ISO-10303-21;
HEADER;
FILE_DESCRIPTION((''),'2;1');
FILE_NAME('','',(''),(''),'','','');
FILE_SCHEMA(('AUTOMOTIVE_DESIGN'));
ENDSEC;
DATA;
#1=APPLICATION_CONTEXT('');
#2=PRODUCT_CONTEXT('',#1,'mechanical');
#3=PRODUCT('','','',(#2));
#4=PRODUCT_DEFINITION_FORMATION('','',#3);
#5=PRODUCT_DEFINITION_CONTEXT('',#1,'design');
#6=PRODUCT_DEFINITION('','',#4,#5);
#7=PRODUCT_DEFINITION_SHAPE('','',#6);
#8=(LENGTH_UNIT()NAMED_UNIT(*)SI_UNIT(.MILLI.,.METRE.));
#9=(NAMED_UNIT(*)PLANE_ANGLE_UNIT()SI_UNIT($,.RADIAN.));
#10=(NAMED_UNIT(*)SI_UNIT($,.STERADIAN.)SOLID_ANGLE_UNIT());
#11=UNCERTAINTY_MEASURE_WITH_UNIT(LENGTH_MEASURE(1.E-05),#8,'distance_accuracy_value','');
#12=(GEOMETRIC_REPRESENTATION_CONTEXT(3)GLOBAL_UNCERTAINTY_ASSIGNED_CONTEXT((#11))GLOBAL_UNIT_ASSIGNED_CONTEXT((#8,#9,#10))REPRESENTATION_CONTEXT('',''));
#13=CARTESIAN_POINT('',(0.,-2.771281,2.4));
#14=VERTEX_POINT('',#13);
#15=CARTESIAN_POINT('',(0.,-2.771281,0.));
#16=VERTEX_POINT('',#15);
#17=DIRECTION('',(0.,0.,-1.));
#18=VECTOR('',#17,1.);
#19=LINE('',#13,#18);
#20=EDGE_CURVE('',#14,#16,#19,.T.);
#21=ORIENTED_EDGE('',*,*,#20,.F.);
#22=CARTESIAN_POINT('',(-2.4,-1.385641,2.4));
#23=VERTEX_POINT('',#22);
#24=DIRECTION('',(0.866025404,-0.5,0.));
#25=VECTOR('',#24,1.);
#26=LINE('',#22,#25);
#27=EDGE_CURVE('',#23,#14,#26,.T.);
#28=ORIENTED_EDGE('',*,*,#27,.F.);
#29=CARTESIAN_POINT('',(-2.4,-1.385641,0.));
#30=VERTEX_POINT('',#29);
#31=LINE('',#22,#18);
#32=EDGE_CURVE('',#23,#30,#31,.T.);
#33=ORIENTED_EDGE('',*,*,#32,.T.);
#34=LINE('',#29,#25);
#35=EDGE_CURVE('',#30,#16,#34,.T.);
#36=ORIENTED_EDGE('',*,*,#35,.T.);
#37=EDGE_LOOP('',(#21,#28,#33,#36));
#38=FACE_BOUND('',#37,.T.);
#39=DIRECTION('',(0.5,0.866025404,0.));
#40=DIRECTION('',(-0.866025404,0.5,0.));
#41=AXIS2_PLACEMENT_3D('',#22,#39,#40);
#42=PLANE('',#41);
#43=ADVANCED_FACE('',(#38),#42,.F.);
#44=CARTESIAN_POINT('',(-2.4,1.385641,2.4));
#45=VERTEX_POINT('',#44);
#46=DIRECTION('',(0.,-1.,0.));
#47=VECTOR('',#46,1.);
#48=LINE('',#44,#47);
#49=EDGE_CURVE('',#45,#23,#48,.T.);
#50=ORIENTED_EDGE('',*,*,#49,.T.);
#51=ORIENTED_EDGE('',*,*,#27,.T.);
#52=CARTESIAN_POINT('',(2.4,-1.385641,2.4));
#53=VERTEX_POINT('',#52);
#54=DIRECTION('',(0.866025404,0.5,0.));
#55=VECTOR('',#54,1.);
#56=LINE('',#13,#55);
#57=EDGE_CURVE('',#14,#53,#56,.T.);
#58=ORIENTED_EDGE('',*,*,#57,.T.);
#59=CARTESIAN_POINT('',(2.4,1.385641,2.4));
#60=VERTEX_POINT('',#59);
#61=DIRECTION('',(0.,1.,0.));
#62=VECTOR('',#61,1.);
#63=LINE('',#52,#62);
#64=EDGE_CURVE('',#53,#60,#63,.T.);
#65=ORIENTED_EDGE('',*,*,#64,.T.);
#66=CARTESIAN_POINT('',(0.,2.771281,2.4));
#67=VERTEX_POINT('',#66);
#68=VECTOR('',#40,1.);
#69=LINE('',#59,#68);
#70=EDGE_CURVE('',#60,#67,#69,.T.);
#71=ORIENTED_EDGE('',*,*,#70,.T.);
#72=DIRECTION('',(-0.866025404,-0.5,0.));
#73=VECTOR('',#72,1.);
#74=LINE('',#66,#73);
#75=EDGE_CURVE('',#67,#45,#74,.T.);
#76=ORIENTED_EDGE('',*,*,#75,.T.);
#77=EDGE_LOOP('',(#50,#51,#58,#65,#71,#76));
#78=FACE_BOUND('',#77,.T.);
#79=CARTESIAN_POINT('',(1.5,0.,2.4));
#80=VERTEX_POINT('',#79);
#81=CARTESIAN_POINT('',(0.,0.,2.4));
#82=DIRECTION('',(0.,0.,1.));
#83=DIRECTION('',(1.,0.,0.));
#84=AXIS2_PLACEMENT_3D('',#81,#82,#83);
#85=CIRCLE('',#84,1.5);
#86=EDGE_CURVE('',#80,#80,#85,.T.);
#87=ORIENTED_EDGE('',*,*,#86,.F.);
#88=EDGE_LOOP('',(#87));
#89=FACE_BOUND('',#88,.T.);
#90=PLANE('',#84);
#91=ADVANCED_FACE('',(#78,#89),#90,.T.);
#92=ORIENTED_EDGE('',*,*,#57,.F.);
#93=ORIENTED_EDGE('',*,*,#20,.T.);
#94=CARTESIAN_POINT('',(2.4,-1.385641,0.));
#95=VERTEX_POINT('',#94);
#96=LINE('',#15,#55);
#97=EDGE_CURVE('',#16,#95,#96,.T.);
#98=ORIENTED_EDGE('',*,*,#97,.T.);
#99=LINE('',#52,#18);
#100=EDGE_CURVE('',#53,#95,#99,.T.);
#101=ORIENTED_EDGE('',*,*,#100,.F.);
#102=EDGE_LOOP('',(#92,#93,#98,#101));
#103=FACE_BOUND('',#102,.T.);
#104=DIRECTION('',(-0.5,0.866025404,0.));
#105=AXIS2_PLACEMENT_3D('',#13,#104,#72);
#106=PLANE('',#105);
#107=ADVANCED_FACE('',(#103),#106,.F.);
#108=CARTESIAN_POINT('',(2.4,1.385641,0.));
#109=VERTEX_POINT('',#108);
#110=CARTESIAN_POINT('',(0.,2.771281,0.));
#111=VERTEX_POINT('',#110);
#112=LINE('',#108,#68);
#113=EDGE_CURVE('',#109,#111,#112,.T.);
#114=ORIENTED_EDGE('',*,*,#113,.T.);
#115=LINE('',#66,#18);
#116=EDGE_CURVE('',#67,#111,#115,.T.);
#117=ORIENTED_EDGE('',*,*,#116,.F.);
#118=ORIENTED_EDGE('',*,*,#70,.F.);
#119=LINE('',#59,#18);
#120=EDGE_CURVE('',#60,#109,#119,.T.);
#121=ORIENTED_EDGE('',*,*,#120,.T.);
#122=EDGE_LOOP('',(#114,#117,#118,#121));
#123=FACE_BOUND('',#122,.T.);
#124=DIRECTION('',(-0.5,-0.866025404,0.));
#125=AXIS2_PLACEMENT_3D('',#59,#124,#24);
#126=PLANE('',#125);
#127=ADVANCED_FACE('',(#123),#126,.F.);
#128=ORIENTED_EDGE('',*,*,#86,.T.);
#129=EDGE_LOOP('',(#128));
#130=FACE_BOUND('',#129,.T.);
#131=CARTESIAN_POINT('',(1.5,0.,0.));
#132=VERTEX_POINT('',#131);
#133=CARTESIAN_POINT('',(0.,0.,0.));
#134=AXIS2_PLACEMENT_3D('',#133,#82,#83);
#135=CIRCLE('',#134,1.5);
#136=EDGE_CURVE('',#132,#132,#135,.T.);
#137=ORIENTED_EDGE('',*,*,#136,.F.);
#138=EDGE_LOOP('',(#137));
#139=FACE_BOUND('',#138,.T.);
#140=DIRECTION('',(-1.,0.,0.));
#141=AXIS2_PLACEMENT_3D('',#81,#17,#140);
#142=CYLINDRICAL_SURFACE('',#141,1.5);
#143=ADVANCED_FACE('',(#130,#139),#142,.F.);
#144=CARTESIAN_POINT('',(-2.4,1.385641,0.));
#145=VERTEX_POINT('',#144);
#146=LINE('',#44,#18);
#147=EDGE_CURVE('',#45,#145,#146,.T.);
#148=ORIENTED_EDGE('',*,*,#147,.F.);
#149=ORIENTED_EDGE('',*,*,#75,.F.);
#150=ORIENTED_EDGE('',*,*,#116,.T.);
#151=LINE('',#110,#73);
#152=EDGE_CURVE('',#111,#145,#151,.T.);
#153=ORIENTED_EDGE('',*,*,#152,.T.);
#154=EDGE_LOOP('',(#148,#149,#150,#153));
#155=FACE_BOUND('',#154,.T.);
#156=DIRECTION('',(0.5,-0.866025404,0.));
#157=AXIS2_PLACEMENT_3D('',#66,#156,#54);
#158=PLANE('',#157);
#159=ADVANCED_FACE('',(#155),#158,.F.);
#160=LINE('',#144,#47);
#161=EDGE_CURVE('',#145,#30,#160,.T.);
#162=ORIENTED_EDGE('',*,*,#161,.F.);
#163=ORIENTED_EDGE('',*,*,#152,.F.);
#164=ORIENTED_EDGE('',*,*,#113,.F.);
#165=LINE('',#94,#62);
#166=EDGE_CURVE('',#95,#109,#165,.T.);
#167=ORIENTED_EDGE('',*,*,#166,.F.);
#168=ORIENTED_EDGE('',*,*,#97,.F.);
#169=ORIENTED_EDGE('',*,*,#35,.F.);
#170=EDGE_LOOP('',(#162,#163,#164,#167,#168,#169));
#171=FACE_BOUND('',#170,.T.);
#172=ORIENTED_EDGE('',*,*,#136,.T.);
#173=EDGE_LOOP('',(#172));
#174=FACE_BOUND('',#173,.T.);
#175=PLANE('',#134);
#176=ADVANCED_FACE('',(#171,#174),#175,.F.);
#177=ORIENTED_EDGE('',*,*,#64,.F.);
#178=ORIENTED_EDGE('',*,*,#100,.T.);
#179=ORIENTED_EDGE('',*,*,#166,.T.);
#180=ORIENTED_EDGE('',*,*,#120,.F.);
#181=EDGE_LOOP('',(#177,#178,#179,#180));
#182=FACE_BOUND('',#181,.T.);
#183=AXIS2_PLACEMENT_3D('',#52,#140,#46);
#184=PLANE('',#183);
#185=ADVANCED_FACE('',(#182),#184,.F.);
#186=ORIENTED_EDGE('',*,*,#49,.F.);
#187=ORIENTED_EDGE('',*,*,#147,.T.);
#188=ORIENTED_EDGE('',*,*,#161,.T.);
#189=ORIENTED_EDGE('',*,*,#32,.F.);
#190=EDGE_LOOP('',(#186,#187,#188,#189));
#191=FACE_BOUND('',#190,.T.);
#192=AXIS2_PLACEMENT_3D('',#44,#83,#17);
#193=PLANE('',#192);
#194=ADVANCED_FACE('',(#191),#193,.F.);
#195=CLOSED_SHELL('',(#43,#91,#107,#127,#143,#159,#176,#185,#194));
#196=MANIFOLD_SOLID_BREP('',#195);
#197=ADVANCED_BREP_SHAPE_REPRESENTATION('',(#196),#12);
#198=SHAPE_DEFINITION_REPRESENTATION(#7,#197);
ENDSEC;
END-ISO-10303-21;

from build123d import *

# Parameters (mm, degrees)
SKICA1_R                = 1.5
P_IDAT_VYSUNUT_M1_DEPTH = 2.4


with BuildPart() as part:
    # Skica1 → Přidat vysunutím1 (new body)
    with BuildSketch(Plane.XY):
        Polygon((0, -2.771281292), (2.4, -1.385640646), (2.4, 1.385640646), (0, 2.771281292), (-2.4, 1.385640646), (-2.4, -1.385640646), align=None)
        Circle(SKICA1_R, mode=Mode.SUBTRACT)
    extrude(amount=P_IDAT_VYSUNUT_M1_DEPTH)


solid = part.part
